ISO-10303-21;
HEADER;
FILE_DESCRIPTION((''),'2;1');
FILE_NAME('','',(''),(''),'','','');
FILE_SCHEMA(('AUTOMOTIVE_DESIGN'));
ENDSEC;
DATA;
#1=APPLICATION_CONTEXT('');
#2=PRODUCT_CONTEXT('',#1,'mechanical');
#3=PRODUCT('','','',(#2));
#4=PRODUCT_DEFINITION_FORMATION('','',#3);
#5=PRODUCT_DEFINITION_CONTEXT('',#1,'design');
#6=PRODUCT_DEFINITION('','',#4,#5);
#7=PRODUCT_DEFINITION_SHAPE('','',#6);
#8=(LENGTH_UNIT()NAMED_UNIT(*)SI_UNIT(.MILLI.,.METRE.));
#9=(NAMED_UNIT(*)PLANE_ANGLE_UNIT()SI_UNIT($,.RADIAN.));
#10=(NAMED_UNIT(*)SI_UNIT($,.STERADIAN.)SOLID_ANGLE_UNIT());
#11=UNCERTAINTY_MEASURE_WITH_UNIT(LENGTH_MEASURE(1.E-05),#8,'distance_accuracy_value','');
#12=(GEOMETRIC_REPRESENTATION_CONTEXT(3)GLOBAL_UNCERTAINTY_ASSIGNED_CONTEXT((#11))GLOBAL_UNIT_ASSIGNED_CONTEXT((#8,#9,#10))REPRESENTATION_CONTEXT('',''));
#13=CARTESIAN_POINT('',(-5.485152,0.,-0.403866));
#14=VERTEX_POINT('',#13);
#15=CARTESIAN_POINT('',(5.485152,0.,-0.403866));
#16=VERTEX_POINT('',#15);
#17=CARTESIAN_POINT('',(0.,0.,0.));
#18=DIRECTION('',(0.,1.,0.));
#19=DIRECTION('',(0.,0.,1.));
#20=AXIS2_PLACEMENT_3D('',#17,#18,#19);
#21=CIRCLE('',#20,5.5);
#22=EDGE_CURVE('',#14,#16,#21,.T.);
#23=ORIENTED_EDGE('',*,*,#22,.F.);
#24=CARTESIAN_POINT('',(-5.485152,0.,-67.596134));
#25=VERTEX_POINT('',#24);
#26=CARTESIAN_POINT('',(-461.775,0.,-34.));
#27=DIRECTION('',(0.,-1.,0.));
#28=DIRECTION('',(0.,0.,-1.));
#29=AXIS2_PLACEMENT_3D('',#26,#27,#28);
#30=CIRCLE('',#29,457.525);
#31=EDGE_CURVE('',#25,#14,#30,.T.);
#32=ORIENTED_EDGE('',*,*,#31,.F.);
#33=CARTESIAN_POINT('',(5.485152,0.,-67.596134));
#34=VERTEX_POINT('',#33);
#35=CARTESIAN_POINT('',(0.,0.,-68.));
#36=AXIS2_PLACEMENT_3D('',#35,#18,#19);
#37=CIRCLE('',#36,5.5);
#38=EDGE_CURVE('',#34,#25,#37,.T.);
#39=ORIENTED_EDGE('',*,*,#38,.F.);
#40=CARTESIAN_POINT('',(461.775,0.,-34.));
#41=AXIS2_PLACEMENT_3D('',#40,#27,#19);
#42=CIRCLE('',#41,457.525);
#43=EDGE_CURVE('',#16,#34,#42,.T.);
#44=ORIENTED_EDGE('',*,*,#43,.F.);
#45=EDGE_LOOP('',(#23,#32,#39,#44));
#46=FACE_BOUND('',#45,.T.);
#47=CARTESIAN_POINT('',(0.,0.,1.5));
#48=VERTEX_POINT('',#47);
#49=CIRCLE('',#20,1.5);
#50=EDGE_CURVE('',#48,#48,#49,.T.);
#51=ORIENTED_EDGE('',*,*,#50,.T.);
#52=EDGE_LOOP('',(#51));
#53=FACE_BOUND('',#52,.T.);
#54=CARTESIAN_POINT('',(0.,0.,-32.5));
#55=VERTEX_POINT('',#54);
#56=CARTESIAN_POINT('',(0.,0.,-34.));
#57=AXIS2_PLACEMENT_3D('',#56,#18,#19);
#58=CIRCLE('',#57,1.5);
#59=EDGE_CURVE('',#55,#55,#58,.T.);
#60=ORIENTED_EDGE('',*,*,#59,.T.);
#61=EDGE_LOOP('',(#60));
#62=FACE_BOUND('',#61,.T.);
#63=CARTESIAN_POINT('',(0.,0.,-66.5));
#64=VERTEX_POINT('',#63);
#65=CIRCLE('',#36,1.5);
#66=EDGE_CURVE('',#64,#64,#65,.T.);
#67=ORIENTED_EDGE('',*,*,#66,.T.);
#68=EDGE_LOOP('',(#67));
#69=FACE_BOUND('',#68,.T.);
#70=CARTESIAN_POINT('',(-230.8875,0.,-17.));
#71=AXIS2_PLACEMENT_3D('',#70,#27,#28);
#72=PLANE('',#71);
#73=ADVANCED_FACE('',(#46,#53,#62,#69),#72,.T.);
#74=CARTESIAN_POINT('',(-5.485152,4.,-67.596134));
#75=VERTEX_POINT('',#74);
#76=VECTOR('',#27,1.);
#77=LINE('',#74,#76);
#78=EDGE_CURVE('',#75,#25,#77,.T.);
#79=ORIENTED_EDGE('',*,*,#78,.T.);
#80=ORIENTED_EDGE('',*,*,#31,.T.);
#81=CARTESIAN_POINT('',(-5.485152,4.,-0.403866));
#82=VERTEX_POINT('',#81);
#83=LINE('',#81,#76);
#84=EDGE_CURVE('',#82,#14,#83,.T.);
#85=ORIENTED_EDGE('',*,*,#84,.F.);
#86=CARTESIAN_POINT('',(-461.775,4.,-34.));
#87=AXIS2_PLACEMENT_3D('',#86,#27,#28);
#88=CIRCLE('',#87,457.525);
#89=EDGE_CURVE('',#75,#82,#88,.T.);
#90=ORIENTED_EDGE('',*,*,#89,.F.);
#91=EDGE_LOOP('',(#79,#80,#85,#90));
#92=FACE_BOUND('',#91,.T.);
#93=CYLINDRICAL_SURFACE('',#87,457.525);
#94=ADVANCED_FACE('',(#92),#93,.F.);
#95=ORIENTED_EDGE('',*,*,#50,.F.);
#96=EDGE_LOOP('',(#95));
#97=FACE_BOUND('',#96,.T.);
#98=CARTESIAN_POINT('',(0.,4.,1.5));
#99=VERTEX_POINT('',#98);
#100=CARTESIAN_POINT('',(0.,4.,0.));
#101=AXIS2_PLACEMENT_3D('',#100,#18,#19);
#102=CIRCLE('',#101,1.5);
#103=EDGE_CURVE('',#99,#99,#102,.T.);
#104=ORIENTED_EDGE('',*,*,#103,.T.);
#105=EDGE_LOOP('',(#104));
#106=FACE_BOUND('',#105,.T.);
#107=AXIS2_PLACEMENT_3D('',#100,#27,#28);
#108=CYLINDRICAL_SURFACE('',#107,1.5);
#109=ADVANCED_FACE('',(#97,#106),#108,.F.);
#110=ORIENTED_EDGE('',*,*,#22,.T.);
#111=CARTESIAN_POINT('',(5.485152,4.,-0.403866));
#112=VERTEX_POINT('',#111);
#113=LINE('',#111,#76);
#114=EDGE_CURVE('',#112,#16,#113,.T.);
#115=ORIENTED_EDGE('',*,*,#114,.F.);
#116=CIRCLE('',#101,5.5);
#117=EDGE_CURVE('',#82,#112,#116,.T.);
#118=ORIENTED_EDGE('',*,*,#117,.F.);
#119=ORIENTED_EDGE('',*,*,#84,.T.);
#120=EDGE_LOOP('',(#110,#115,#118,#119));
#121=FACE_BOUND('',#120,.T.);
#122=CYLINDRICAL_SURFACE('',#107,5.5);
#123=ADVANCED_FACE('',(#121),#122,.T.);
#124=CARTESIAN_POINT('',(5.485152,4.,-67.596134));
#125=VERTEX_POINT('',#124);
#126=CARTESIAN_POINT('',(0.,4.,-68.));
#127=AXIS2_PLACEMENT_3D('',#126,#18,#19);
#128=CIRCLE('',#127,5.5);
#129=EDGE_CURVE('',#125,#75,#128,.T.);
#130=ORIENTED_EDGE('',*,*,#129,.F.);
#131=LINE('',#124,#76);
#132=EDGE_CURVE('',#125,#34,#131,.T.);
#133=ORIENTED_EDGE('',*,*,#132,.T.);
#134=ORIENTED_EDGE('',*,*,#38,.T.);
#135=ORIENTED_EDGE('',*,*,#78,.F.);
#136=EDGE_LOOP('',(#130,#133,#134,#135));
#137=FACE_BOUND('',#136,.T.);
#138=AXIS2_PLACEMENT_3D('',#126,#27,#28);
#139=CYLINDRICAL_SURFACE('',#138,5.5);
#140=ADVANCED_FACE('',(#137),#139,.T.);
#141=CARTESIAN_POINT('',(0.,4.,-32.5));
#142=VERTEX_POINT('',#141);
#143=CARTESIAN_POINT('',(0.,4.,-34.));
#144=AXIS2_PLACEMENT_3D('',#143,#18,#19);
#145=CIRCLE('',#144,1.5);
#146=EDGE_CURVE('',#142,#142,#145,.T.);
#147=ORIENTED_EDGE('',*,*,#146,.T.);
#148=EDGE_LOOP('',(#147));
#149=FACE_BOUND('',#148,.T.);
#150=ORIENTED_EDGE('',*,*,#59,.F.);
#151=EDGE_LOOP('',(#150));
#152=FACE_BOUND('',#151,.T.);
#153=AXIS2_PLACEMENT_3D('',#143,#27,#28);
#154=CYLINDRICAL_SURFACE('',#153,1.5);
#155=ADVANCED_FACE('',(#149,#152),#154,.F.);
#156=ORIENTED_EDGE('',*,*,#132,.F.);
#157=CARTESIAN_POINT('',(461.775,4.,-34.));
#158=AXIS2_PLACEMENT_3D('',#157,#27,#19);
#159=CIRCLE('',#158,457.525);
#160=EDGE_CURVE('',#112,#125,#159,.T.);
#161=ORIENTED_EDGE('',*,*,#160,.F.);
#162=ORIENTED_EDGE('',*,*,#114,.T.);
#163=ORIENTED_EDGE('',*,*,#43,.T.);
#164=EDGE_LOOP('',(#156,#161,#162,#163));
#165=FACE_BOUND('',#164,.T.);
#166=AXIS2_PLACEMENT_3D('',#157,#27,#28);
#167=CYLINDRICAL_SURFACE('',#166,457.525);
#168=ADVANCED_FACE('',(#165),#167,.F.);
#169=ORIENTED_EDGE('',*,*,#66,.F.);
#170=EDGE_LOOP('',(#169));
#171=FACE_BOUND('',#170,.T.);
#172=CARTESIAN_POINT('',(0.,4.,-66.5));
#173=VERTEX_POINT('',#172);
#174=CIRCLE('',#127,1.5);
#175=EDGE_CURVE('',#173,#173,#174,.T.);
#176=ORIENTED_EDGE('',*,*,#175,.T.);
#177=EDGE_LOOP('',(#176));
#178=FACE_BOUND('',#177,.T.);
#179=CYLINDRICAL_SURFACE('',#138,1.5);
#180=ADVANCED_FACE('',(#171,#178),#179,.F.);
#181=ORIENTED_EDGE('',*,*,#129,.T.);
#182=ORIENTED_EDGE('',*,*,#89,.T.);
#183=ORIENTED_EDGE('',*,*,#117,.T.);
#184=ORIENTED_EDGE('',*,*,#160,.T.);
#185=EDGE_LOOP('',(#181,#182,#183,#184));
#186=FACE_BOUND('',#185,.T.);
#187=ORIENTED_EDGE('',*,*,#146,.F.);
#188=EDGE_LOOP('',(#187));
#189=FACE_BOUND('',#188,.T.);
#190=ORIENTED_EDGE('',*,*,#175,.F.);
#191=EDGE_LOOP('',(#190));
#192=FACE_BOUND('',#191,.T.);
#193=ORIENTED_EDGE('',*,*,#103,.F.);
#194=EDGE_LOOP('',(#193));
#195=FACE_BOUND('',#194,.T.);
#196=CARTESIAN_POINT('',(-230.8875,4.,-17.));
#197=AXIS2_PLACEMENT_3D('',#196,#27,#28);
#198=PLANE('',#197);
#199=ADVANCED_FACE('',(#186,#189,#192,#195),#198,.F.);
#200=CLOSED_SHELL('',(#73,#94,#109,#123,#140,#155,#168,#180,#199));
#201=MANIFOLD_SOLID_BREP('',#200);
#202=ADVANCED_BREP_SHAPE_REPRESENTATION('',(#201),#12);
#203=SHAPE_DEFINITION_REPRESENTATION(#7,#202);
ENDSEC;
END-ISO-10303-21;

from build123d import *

# Parameters (mm, degrees)
SKETCH1_R           = 1.5
BOSS_EXTRUDE1_DEPTH = 4


with BuildPart() as part:
    # Sketch1 → Boss-Extrude1 (new body)
    with BuildSketch(Plane(origin=(0, 0, 0), x_dir=(1, 0, 0), z_dir=(0, 1, 0))):
        with BuildLine():
            ThreePointArc((-5.48515199, 0.403865882), (0, -5.5), (5.48515199, 0.403865882))
            ThreePointArc((5.48515199, 0.403865882), (4.25, 34), (5.48515199, 67.596134118))
            ThreePointArc((5.48515199, 67.596134118), (0, 73.5), (-5.48515199, 67.596134118))
            ThreePointArc((-5.48515199, 67.596134118), (-4.25, 34), (-5.48515199, 0.403865882))
        make_face()
        Circle(SKETCH1_R, mode=Mode.SUBTRACT)
        with Locations((0, 68)):
            Circle(SKETCH1_R, mode=Mode.SUBTRACT)
        with Locations((0, 34)):
            Circle(SKETCH1_R, mode=Mode.SUBTRACT)
    extrude(amount=BOSS_EXTRUDE1_DEPTH)


solid = part.part
